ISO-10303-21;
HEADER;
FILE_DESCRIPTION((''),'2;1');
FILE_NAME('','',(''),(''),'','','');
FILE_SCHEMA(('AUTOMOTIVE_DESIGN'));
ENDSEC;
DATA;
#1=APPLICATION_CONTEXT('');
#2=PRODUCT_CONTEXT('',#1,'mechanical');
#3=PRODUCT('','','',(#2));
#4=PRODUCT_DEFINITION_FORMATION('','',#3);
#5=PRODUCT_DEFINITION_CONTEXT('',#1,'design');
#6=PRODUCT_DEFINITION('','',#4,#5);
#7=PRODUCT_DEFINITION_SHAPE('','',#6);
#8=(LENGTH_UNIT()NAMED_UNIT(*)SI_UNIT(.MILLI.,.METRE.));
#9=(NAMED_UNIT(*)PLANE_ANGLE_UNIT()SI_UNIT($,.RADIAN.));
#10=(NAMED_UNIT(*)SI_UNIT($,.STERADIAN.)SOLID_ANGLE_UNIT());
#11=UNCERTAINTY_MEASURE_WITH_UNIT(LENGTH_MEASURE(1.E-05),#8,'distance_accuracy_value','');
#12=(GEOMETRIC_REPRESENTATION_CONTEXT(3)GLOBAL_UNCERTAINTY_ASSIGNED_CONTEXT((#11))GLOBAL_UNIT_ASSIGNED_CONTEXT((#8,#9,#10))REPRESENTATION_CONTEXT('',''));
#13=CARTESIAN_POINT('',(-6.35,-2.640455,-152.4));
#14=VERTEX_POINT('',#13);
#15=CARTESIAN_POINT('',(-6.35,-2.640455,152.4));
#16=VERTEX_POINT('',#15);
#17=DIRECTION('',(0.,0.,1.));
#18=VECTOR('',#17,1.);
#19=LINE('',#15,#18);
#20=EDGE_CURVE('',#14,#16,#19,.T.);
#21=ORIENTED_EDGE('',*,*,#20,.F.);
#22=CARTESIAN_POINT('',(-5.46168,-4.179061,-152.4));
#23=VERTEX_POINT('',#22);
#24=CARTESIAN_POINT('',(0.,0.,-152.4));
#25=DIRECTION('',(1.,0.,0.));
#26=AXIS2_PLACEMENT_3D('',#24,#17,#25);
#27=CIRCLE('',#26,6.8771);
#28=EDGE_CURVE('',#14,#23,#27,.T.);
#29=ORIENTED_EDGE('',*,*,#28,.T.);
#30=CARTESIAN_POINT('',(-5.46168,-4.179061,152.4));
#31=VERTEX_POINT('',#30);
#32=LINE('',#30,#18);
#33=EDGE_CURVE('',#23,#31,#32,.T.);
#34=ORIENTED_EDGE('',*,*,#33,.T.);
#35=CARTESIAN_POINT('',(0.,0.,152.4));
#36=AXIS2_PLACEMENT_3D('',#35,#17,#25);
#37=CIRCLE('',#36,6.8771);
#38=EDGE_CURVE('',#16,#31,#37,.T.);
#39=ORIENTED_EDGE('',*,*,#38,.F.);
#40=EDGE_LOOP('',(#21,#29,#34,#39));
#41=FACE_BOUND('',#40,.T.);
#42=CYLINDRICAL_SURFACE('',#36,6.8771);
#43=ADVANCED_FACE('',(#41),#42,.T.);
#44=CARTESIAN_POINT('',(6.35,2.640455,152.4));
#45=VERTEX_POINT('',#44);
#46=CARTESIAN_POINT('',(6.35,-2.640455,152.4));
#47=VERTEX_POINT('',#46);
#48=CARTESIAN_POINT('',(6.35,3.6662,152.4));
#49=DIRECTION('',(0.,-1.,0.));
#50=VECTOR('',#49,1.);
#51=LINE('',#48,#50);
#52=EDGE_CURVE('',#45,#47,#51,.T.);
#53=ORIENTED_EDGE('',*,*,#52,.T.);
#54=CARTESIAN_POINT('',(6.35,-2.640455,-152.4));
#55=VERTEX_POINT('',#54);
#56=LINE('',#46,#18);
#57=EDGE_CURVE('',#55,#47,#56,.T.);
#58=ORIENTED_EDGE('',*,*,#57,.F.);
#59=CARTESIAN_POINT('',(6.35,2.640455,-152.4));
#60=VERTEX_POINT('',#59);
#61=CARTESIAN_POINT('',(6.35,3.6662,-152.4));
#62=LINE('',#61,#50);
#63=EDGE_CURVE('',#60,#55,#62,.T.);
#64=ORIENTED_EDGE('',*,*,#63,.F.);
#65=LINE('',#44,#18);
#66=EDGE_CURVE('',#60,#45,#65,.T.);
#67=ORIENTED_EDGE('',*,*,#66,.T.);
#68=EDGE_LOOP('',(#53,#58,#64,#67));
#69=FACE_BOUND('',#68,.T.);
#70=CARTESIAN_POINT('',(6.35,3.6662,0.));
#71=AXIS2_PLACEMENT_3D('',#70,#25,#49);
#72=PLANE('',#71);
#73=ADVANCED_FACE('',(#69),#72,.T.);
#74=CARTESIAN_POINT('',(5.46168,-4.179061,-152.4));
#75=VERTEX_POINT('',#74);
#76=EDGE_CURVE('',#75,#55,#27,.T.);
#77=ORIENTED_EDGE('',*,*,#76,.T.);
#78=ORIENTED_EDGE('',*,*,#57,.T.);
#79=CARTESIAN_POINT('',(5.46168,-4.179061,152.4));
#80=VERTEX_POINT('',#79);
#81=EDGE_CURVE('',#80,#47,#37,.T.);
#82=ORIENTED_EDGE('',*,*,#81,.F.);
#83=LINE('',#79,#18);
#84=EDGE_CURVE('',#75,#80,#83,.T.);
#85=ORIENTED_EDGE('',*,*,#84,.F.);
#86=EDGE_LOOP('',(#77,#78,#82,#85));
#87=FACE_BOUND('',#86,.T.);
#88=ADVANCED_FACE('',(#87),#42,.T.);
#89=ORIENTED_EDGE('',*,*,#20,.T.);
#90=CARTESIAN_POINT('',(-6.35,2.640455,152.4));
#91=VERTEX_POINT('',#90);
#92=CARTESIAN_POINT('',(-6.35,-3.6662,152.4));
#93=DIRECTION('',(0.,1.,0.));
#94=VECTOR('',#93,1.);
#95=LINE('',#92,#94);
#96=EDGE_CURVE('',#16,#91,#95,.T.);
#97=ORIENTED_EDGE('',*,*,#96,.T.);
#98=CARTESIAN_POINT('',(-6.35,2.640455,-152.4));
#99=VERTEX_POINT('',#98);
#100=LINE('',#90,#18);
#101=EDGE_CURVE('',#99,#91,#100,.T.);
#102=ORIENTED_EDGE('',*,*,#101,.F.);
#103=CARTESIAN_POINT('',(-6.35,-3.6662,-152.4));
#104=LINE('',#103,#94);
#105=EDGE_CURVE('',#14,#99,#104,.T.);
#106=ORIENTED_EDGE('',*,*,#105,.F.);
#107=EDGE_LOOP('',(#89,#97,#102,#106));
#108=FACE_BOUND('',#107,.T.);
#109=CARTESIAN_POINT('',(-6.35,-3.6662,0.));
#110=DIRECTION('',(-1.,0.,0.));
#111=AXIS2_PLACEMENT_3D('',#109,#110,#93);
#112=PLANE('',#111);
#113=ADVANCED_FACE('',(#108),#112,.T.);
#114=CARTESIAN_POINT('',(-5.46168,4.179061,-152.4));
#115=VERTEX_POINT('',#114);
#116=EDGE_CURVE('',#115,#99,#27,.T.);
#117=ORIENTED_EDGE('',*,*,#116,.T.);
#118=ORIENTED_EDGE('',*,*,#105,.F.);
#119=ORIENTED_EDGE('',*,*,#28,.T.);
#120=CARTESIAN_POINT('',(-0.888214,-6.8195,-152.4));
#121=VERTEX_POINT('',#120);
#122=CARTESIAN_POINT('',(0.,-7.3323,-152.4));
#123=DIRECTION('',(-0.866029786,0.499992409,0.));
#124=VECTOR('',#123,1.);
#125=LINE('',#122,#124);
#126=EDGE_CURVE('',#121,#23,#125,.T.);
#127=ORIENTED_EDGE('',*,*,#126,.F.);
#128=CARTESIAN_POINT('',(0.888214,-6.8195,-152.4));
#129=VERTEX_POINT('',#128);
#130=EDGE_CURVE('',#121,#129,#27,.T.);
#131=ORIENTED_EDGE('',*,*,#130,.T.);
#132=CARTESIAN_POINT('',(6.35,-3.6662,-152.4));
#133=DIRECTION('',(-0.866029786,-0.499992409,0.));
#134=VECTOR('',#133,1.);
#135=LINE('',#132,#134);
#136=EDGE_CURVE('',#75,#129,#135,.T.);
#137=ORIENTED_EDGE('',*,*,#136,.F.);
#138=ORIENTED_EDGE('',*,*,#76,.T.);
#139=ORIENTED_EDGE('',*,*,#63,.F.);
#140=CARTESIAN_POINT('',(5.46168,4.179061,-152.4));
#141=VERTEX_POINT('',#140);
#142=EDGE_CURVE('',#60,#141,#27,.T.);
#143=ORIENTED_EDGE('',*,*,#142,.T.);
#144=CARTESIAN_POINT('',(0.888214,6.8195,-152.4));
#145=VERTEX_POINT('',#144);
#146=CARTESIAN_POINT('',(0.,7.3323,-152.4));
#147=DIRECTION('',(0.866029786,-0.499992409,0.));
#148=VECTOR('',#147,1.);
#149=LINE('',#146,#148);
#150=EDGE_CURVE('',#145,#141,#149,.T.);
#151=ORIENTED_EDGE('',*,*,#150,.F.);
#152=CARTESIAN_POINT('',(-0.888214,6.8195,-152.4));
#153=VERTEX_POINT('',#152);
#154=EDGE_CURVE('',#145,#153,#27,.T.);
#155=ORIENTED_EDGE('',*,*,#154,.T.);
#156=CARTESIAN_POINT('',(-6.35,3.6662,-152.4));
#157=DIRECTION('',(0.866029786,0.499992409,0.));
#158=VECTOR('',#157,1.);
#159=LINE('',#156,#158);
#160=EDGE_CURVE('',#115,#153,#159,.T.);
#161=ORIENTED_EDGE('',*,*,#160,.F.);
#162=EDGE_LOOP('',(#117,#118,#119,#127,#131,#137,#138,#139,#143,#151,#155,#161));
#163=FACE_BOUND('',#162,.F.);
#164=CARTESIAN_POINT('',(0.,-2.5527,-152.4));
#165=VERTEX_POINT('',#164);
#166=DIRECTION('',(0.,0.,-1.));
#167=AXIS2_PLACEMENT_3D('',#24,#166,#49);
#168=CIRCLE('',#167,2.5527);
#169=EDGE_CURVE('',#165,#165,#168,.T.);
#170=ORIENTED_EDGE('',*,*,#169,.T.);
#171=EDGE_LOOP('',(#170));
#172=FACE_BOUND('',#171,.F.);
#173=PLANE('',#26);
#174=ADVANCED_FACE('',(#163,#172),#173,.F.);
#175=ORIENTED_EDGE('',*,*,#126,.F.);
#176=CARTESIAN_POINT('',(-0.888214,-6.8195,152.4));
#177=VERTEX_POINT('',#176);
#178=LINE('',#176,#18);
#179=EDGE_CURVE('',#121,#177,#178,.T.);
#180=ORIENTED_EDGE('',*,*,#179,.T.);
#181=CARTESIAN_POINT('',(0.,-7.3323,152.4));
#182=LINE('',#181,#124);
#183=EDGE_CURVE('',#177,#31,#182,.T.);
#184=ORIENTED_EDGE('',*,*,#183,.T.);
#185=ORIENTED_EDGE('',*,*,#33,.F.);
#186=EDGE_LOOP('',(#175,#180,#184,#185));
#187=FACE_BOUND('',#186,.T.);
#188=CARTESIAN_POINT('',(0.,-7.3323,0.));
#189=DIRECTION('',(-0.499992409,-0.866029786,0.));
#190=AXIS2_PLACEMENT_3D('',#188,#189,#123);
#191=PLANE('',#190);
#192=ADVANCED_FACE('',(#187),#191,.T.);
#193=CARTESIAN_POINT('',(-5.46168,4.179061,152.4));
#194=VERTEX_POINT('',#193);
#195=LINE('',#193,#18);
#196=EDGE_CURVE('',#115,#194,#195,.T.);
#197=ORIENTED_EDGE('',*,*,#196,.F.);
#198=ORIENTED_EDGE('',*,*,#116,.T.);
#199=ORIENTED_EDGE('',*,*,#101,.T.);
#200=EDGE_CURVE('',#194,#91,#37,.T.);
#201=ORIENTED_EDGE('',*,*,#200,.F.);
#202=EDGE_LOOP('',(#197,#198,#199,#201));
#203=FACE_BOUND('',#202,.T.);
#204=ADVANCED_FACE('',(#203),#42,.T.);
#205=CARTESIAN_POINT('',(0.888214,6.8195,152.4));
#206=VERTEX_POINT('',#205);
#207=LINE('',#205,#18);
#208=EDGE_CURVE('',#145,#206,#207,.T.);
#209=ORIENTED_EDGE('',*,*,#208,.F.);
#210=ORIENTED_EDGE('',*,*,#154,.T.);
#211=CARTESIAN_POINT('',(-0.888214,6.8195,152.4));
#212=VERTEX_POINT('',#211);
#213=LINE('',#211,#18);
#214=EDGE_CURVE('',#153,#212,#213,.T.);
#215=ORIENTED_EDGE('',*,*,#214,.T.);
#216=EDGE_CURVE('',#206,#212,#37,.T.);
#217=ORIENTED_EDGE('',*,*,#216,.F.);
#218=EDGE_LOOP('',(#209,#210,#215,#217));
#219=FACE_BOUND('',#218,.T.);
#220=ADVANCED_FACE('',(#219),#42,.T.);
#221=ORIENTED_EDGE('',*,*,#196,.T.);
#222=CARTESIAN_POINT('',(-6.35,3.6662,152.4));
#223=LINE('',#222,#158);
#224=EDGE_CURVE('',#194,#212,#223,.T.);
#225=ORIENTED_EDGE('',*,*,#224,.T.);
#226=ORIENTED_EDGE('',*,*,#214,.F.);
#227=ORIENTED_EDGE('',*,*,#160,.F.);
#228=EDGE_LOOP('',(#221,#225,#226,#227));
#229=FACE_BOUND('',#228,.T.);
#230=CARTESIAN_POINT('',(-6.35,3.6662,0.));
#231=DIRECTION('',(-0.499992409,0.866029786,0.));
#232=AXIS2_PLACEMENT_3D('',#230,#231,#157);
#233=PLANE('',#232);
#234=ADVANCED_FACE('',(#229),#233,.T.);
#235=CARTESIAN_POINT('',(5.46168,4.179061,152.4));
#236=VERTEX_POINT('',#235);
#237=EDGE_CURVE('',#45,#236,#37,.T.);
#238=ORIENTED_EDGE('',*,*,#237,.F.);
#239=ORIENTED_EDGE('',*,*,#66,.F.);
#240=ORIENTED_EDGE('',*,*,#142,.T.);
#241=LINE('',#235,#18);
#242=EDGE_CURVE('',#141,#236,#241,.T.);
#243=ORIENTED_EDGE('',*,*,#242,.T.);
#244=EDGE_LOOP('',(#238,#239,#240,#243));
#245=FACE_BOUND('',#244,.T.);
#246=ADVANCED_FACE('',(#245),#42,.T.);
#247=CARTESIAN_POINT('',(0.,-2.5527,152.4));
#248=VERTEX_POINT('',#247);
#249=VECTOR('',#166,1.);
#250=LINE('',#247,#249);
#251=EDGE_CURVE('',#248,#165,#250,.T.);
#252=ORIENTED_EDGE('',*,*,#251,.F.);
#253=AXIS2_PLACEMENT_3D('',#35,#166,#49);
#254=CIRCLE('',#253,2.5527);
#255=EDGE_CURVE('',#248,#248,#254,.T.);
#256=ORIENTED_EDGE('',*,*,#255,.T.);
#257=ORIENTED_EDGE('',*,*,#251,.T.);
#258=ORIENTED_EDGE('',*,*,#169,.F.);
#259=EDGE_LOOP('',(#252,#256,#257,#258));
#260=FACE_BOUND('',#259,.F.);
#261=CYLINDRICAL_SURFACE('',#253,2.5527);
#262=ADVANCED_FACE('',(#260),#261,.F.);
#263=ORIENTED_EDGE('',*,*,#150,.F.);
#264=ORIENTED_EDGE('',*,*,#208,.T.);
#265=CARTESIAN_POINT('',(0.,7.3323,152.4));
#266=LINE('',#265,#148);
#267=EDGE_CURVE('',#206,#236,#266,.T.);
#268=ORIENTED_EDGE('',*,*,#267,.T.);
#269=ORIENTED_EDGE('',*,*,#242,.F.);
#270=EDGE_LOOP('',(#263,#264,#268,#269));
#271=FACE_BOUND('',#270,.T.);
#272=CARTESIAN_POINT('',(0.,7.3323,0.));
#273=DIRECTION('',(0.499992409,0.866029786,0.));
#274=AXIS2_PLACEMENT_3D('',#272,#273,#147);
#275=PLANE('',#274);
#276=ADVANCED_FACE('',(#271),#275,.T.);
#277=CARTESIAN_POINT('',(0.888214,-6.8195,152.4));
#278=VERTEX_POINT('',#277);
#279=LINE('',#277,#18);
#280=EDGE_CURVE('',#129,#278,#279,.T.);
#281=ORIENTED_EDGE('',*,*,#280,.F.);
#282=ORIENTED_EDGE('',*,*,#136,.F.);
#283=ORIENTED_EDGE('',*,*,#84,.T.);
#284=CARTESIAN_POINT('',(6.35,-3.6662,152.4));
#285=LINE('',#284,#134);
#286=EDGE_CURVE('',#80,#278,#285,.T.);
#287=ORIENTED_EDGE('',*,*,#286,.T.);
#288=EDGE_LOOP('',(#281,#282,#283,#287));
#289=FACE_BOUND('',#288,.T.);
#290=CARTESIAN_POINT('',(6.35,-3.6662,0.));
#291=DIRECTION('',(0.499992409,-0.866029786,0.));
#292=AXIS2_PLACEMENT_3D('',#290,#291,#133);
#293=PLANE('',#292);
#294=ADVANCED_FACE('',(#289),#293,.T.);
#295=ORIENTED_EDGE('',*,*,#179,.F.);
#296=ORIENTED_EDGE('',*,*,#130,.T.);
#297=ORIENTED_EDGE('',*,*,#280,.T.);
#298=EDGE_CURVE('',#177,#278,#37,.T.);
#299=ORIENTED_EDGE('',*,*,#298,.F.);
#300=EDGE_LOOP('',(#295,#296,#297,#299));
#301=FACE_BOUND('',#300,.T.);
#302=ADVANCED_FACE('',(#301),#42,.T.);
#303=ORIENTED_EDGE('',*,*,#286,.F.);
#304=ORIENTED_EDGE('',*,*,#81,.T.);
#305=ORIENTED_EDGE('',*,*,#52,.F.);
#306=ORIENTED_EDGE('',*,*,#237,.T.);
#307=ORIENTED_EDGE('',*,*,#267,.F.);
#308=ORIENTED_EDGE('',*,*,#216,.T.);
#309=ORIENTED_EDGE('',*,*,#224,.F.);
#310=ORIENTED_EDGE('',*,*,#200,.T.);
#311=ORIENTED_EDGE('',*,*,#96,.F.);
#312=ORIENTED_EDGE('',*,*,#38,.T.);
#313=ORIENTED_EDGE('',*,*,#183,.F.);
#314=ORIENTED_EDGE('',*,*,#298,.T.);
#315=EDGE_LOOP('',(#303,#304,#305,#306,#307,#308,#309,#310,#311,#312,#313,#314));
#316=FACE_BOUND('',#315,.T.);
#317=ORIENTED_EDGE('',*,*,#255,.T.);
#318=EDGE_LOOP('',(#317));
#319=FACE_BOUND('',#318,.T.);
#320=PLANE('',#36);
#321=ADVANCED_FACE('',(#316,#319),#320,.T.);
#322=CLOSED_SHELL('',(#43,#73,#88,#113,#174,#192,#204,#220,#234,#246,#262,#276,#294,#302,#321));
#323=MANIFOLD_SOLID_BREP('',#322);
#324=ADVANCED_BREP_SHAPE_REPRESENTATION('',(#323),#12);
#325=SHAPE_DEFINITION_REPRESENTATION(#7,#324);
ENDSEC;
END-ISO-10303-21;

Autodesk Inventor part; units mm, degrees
ref_plane "YZ Plane" through (0, 0, 0) normal (1, 0, 0) x (0, 1, 0)
ref_plane "XZ Plane" through (0, 0, 0) normal (0, 1, 0) x (-1, 0, 0)
ref_plane "XY Plane" through (0, 0, 0) normal (0, 0, 1) x (1, 0, 0)
sketch "Sketch1" plane through (0, 0, 0) normal (0, 0, 1) x (1, 0, 0)
  line L0 (-6.35, -3.6662) -> (-6.35, 3.6662)
  line L1 (-6.35, 3.6662) -> (0, 7.3323)
  line L2 (0, 7.3323) -> (6.35, 3.6662)
  line L3 (6.35, 3.6662) -> (6.35, -3.6662)
  line L4 (6.35, -3.6662) -> (0, -7.3323)
  line L5 (0, -7.3323) -> (-6.35, -3.6662)
  point P0 (0, 0)
  point P1 (0, 0)
  dimension "Size" = 12.7
extrude "Extrusion1" add sketch "Sketch1" along normal mid plane 304.8
sketch "Sketch3" plane through (0, 0, 152.4) normal (0, 0, 1) x (1, 0, 0)
  line L0 (-6.35, 3.6662) -> (0, 7.3323) construction
  line L1 (0, 7.3323) -> (6.35, 3.6662) construction
  line L2 (6.35, 3.6662) -> (6.35, -3.6662) construction
  line L3 (6.35, -3.6662) -> (0, -7.3323) construction
  line L4 (0, -7.3323) -> (-6.35, -3.6662) construction
  line L5 (-6.35, -3.6662) -> (-6.35, 3.6662) construction
  point P0 (0, 0)
hole "Hole1" at (0, 0, 152.4) direction (0, 0, -1) diameter 5.1054 end through all
sketch "Sketch4" plane through (0, 0, 152.4) normal (0, 0, 1) x (1, 0, 0)
  circle A0 centre (0, 0) radius 2.5527 construction
  line L0 (-6.35, 3.6662) -> (0, 7.3323) construction
  line L1 (0, 7.3323) -> (6.35, 3.6662) construction
  line L2 (6.35, 3.6662) -> (6.35, -3.6662) construction
  line L3 (6.35, -3.6662) -> (0, -7.3323) construction
  line L4 (0, -7.3323) -> (-6.35, -3.6662) construction
  line L5 (-6.35, -3.6662) -> (-6.35, 3.6662) construction
  circle A1 centre (0, 0) radius 6.8771
  circle A2 centre (0, 0) radius 8.89
  dimension "thunder" = 13.7541
  dimension "d16" = 17.78
extrude "Extrusion3" cut sketch "Sketch4" against normal through all
equation "\"bearing\" = 25.4"
properties part number "CL2-003" material "Aluminum 6061"
